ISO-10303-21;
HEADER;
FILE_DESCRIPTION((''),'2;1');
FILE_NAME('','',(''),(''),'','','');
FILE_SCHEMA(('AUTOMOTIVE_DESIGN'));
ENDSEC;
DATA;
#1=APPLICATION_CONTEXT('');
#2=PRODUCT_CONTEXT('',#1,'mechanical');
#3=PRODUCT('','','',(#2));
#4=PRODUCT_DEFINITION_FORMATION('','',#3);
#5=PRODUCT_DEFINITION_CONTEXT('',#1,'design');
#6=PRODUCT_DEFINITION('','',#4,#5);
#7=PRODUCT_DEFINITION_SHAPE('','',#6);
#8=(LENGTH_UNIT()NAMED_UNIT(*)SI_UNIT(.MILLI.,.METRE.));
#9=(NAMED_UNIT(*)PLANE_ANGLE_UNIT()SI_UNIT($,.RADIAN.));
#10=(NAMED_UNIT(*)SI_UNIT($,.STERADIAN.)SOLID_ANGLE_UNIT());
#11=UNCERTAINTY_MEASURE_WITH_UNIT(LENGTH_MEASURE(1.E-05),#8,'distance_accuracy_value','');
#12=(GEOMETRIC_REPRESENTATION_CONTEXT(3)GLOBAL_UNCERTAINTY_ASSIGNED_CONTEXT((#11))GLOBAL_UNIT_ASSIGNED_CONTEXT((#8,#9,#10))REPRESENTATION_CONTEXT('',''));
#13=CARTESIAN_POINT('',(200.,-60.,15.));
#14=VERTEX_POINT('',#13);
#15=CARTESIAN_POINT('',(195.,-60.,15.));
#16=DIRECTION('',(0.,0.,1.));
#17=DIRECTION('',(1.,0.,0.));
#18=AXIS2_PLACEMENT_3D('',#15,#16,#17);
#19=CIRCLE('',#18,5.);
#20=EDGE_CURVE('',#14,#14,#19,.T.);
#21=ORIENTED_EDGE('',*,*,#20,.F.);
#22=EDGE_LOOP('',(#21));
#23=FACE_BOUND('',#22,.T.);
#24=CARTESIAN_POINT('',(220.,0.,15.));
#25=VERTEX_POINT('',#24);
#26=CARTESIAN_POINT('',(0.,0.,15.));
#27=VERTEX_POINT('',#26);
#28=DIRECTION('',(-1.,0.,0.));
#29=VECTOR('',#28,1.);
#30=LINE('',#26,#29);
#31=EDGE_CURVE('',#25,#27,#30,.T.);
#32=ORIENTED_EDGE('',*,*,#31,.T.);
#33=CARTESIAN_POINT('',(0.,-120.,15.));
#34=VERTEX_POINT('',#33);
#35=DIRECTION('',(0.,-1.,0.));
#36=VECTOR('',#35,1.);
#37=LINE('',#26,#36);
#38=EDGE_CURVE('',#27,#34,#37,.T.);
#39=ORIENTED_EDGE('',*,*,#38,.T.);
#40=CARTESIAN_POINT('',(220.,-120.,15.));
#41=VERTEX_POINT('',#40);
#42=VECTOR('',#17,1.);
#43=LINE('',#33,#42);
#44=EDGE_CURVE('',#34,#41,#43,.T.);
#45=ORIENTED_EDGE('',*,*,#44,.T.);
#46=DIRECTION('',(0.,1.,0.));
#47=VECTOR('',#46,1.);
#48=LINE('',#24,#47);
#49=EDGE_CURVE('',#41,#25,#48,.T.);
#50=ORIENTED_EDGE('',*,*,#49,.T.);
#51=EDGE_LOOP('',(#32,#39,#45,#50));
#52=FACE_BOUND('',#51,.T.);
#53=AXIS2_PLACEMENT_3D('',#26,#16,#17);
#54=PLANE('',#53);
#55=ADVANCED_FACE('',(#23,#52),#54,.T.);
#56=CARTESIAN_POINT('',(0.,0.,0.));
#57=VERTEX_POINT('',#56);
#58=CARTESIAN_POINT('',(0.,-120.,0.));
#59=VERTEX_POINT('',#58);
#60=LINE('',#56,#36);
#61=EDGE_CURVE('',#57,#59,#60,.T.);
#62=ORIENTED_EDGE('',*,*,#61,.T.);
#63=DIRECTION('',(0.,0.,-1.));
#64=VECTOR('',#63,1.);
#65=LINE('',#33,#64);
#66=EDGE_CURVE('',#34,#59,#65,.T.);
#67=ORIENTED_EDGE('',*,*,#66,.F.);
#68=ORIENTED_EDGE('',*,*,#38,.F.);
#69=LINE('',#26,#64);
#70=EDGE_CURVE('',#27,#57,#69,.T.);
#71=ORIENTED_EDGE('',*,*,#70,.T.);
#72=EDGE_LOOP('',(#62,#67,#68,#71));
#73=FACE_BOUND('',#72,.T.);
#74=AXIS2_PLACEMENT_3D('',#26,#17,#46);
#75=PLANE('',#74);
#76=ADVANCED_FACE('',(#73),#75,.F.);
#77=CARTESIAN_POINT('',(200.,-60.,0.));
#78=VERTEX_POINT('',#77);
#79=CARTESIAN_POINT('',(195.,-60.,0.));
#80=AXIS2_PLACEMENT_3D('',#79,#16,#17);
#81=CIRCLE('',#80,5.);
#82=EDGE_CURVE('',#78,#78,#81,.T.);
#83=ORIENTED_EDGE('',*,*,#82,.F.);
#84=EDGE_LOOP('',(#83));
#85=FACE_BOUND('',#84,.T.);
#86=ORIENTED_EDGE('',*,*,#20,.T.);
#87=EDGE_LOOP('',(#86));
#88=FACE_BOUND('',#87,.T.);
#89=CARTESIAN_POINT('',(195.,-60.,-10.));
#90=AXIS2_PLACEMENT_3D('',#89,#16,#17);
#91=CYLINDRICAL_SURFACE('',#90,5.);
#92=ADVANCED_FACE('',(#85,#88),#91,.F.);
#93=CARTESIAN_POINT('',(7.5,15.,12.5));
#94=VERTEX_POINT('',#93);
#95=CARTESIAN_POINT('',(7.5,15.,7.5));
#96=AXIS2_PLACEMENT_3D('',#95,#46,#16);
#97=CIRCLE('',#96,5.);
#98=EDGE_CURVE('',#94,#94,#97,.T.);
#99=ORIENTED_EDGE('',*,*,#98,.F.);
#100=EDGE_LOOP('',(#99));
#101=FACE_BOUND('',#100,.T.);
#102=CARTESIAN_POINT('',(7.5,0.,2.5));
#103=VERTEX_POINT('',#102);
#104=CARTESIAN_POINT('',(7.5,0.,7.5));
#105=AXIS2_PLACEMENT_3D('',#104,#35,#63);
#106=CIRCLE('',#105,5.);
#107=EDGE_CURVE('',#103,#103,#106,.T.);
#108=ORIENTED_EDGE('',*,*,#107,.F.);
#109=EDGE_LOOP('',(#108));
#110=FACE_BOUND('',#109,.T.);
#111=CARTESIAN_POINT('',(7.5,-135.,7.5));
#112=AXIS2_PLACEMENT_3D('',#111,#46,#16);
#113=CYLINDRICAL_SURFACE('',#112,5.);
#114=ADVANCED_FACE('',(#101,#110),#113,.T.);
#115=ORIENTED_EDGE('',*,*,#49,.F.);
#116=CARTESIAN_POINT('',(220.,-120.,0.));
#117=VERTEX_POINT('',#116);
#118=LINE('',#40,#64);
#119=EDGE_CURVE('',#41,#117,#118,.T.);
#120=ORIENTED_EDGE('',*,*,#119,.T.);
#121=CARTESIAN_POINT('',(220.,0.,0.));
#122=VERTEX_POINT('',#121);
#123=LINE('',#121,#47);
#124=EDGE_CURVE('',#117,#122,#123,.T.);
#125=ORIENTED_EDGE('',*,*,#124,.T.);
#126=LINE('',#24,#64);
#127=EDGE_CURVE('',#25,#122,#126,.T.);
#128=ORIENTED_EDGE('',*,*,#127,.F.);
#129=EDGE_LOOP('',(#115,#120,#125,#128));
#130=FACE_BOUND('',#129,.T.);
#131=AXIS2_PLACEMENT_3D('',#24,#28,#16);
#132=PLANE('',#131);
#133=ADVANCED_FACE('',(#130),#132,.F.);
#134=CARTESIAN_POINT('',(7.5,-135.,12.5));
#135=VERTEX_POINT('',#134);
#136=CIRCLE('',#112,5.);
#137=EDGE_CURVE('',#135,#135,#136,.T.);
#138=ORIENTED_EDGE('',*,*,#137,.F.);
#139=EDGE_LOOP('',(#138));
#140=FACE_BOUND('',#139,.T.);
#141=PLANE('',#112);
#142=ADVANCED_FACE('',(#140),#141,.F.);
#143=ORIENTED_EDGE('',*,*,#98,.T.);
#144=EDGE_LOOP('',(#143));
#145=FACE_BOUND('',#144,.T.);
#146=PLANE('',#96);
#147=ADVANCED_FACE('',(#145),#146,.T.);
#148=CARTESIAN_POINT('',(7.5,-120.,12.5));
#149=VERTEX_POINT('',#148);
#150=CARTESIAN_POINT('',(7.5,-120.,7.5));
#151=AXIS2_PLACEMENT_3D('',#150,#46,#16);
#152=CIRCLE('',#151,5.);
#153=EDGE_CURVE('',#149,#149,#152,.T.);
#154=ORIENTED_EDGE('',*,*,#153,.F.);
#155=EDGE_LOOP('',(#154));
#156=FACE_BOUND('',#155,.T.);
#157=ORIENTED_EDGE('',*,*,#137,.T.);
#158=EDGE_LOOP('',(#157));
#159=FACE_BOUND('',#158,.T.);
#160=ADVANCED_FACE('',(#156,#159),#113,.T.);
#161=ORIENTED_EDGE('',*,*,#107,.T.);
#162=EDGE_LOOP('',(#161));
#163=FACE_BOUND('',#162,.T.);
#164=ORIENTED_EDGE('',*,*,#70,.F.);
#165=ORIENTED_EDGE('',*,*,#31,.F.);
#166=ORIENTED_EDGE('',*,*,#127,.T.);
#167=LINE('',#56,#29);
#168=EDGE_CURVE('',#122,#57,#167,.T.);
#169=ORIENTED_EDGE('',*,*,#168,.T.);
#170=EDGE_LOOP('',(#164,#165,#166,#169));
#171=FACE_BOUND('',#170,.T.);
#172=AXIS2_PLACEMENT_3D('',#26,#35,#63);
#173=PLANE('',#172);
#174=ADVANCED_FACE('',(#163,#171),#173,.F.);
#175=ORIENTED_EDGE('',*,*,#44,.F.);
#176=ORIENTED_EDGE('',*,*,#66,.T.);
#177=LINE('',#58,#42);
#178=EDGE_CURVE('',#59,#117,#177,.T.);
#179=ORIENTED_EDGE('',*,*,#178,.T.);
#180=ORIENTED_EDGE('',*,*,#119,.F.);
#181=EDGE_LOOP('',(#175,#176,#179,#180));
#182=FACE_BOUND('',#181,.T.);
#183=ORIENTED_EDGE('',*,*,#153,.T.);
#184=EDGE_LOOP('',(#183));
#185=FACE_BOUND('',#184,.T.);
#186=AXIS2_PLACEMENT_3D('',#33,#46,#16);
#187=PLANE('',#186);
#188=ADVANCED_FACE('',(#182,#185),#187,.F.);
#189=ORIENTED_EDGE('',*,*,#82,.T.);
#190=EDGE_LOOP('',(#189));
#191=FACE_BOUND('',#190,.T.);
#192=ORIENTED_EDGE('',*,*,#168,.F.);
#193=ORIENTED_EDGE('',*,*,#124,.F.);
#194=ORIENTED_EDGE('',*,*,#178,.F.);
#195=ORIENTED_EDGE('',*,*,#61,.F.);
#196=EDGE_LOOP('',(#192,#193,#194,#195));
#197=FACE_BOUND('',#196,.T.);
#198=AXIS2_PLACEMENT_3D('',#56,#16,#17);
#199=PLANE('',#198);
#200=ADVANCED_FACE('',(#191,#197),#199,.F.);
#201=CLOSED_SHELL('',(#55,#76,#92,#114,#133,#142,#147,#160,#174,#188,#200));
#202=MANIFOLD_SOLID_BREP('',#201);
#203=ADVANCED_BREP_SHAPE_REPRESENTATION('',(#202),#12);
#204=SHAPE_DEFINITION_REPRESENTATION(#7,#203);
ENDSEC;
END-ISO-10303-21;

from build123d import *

# Parameters (mm, degrees)
SKETCH1_W                = 220
SKETCH1_H                = 120
BOSS_EXTRUDE1_DEPTH      = 15
BOSS_EXTRUDE2_DEPTH      = 15
BOSS_EXTRUDE2_DEPTH_BACK = 135
SKETCH2_R                = 5
SKETCH3_R                = 5
CUT_EXTRUDE1_DEPTH       = 25


with BuildPart() as part:
    # Sketch1 → Boss-Extrude1 (new body)
    with BuildSketch(Plane.XY):
        with Locations((110, -60)):
            Rectangle(SKETCH1_W, SKETCH1_H)
    extrude(amount=BOSS_EXTRUDE1_DEPTH)

    # Sketch2 → Boss-Extrude2 (add, two sides: drawn at the far end of the back side and taken through both)
    with BuildSketch(Plane(origin=(0, 0, 0), x_dir=(1, 0, 0), z_dir=(0, 1, 0)).offset(-BOSS_EXTRUDE2_DEPTH_BACK)):
        with Locations(Location((7.5, -7.5, 0), (0, 0, 270))):
            Circle(SKETCH2_R)
    extrude(amount=BOSS_EXTRUDE2_DEPTH + BOSS_EXTRUDE2_DEPTH_BACK)

    # Sketch3 → Cut-Extrude1 (cut)
    with BuildSketch(Plane.XY.offset(15)):
        with Locations((195, -60)):
            Circle(SKETCH3_R)
    extrude(amount=-CUT_EXTRUDE1_DEPTH, mode=Mode.SUBTRACT)


solid = part.part
